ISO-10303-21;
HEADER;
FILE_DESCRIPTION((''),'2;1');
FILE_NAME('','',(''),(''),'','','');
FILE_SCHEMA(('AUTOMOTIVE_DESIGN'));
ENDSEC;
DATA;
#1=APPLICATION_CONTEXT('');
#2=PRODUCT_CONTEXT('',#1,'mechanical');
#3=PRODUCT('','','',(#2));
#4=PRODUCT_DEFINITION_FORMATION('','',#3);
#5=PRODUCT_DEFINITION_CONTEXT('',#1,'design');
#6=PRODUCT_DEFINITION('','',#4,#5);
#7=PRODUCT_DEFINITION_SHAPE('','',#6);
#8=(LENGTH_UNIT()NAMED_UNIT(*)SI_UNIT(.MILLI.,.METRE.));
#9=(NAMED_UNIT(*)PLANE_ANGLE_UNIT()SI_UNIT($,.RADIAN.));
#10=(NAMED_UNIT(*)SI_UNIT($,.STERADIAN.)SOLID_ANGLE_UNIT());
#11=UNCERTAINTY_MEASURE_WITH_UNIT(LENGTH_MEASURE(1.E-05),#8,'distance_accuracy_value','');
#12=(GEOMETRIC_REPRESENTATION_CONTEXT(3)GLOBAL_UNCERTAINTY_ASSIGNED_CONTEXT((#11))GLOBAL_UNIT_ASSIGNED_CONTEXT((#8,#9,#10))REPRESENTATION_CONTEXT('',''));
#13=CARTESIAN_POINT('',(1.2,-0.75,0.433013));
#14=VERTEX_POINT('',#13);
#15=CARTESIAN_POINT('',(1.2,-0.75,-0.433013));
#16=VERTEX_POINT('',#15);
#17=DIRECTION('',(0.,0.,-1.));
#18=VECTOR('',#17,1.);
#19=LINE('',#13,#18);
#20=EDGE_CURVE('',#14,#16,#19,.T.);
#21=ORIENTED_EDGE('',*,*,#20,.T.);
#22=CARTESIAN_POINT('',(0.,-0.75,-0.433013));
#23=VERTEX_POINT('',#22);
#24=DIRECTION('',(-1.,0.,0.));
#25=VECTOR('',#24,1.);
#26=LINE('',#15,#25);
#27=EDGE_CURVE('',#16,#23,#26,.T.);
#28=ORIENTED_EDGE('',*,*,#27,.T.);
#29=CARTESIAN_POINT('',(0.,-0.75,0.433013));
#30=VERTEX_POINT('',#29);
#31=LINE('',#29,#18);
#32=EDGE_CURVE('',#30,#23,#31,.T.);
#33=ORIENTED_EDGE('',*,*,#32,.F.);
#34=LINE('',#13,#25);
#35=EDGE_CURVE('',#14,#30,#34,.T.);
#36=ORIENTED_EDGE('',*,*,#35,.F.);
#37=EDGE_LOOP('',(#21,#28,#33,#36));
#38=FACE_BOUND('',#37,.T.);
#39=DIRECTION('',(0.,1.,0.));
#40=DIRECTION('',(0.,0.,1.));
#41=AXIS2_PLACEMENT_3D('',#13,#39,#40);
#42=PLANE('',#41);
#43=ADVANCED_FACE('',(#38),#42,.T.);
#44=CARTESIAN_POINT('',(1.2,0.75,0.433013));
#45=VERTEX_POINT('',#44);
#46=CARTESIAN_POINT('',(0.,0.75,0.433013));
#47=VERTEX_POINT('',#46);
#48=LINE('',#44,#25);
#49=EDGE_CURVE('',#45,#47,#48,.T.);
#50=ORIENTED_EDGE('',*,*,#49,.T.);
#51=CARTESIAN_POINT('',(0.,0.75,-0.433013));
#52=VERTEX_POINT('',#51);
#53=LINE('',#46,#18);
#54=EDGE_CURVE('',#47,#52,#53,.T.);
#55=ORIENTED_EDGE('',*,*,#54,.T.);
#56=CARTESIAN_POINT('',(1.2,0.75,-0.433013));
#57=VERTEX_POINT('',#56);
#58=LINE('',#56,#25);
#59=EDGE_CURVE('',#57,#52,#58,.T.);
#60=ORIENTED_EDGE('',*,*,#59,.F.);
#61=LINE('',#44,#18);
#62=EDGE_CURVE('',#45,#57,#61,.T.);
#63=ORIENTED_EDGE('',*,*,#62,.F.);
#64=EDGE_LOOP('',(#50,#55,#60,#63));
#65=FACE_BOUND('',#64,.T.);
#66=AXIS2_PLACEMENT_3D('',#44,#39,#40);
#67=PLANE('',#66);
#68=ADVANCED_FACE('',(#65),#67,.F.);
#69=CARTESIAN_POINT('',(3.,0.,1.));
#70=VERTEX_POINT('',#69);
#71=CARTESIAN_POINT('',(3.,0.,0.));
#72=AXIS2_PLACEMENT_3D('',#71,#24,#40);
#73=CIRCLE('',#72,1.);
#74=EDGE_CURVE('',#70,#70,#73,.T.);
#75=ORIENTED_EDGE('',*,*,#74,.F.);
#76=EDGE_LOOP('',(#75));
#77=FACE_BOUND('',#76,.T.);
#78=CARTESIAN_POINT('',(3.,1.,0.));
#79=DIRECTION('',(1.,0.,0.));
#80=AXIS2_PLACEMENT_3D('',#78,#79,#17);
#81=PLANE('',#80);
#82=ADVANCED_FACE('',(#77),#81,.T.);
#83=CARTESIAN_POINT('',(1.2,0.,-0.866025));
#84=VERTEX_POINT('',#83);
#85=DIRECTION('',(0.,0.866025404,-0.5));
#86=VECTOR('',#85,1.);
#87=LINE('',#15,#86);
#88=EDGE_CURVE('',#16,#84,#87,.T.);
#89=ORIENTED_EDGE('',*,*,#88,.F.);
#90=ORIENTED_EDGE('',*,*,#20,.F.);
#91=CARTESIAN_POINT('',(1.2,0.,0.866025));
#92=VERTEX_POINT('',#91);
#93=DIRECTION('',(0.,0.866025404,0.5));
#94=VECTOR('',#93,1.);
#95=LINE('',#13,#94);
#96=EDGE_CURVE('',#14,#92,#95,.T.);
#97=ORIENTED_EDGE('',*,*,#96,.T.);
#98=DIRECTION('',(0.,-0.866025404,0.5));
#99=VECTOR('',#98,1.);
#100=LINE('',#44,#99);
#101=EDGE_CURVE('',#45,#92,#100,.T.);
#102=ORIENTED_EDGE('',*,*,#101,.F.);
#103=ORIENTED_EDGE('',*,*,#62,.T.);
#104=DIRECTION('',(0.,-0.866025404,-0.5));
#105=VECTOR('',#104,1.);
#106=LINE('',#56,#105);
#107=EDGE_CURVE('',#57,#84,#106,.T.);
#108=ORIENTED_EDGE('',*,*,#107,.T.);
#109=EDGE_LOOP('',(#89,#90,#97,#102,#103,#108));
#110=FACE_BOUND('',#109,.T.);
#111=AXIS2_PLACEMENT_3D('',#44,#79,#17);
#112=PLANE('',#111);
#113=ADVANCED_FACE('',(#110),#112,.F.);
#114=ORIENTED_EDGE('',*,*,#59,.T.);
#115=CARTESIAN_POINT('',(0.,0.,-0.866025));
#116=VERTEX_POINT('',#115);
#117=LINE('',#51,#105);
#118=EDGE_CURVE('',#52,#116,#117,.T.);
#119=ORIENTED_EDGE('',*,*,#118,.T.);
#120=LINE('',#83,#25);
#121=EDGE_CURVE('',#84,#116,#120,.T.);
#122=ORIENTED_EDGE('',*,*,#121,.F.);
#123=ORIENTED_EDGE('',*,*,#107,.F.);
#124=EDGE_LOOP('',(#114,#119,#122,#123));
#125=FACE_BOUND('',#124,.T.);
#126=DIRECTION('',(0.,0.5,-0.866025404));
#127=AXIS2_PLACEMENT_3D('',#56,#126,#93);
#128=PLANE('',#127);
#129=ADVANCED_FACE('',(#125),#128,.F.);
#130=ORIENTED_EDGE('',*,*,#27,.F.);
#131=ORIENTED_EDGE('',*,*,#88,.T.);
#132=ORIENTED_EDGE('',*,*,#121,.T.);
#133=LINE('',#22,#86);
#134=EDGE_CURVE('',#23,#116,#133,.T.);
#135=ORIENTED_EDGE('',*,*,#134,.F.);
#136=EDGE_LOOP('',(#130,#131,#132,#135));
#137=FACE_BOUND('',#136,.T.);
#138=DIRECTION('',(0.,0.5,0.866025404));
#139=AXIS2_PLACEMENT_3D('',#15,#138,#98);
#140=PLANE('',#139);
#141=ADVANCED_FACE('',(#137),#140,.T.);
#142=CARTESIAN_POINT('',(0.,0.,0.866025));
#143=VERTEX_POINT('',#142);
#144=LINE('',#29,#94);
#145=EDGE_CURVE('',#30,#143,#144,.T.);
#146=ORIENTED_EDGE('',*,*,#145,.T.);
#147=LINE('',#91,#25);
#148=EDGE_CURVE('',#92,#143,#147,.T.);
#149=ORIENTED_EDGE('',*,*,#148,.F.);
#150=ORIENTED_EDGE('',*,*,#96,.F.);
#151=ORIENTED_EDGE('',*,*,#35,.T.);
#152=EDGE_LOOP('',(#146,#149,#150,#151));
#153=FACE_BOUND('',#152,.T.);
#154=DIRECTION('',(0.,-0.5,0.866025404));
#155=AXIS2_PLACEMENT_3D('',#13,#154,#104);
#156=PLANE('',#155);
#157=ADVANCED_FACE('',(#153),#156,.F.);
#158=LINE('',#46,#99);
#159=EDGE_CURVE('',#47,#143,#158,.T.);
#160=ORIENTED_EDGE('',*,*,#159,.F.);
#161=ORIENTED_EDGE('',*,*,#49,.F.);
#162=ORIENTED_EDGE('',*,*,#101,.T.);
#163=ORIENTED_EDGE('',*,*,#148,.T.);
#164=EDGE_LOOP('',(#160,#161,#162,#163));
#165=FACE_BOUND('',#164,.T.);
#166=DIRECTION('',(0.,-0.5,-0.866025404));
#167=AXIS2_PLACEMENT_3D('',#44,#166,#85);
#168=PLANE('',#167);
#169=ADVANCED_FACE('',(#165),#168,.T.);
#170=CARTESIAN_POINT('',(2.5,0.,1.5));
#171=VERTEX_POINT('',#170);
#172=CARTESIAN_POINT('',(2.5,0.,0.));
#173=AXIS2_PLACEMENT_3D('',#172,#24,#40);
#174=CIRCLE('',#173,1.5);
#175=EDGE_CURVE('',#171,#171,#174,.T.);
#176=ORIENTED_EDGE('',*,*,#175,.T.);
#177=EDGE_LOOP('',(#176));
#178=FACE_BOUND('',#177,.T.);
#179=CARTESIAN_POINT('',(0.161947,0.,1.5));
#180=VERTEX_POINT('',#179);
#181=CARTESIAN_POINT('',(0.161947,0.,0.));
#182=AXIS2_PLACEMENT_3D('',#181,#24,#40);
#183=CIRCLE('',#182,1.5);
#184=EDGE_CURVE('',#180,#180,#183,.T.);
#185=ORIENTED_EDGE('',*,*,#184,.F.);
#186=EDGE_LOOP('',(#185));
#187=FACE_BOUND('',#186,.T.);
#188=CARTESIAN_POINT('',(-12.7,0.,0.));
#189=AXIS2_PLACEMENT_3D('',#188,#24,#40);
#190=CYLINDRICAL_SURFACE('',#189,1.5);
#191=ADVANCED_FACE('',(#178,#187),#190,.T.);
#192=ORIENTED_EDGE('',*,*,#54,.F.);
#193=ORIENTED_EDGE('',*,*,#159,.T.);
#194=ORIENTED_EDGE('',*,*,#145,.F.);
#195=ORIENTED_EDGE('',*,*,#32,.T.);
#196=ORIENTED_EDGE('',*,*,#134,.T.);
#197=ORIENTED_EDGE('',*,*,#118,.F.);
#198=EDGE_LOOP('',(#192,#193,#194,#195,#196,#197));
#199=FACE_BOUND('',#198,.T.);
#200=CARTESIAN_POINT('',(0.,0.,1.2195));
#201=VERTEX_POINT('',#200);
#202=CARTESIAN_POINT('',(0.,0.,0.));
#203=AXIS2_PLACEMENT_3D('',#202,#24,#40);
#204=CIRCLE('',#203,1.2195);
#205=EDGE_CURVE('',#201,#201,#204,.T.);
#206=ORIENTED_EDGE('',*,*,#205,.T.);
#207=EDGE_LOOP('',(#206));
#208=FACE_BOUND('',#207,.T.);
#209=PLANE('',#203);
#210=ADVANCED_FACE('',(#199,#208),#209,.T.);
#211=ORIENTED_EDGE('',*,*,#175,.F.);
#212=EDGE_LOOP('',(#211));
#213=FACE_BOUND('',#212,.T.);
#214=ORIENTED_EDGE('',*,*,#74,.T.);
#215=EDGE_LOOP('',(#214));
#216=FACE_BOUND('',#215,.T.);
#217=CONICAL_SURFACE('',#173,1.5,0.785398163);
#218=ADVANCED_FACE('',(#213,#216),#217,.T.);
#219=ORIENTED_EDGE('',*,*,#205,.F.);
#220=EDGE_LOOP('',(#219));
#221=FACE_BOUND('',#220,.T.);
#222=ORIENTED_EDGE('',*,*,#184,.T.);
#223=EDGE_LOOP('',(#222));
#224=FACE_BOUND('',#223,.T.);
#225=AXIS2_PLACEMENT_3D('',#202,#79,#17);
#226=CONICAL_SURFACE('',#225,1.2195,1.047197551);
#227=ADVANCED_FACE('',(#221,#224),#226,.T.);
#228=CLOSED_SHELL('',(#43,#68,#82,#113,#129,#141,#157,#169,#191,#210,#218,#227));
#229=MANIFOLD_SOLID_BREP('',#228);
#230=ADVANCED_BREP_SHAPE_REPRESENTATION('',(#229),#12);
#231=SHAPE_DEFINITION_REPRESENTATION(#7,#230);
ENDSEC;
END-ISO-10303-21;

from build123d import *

# Parameters (mm, degrees)
HEX_2_DEPTH = 1.2


with BuildPart() as part:
    # BodySke → BaseBody (revolve)
    with BuildSketch(Plane.XY):
        Polygon((0, 0), (0, 1.2195), (0.161946751, 1.5), (2.5, 1.5), (3, 1), (3, 0), align=None)
    revolve(axis=Axis((-12.7, 0, 0), (1, 0, 0)))

    # Sketch2 → Hex 2 (cut)
    with BuildSketch(Plane.ZY):
        Polygon((0.433012702, 0.75), (-0.433012702, 0.75), (-0.866025404, 0), (-0.433012702, -0.75), (0.433012702, -0.75), (0.866025404, 0), align=None)
    extrude(amount=-HEX_2_DEPTH, mode=Mode.SUBTRACT)


solid = part.part
